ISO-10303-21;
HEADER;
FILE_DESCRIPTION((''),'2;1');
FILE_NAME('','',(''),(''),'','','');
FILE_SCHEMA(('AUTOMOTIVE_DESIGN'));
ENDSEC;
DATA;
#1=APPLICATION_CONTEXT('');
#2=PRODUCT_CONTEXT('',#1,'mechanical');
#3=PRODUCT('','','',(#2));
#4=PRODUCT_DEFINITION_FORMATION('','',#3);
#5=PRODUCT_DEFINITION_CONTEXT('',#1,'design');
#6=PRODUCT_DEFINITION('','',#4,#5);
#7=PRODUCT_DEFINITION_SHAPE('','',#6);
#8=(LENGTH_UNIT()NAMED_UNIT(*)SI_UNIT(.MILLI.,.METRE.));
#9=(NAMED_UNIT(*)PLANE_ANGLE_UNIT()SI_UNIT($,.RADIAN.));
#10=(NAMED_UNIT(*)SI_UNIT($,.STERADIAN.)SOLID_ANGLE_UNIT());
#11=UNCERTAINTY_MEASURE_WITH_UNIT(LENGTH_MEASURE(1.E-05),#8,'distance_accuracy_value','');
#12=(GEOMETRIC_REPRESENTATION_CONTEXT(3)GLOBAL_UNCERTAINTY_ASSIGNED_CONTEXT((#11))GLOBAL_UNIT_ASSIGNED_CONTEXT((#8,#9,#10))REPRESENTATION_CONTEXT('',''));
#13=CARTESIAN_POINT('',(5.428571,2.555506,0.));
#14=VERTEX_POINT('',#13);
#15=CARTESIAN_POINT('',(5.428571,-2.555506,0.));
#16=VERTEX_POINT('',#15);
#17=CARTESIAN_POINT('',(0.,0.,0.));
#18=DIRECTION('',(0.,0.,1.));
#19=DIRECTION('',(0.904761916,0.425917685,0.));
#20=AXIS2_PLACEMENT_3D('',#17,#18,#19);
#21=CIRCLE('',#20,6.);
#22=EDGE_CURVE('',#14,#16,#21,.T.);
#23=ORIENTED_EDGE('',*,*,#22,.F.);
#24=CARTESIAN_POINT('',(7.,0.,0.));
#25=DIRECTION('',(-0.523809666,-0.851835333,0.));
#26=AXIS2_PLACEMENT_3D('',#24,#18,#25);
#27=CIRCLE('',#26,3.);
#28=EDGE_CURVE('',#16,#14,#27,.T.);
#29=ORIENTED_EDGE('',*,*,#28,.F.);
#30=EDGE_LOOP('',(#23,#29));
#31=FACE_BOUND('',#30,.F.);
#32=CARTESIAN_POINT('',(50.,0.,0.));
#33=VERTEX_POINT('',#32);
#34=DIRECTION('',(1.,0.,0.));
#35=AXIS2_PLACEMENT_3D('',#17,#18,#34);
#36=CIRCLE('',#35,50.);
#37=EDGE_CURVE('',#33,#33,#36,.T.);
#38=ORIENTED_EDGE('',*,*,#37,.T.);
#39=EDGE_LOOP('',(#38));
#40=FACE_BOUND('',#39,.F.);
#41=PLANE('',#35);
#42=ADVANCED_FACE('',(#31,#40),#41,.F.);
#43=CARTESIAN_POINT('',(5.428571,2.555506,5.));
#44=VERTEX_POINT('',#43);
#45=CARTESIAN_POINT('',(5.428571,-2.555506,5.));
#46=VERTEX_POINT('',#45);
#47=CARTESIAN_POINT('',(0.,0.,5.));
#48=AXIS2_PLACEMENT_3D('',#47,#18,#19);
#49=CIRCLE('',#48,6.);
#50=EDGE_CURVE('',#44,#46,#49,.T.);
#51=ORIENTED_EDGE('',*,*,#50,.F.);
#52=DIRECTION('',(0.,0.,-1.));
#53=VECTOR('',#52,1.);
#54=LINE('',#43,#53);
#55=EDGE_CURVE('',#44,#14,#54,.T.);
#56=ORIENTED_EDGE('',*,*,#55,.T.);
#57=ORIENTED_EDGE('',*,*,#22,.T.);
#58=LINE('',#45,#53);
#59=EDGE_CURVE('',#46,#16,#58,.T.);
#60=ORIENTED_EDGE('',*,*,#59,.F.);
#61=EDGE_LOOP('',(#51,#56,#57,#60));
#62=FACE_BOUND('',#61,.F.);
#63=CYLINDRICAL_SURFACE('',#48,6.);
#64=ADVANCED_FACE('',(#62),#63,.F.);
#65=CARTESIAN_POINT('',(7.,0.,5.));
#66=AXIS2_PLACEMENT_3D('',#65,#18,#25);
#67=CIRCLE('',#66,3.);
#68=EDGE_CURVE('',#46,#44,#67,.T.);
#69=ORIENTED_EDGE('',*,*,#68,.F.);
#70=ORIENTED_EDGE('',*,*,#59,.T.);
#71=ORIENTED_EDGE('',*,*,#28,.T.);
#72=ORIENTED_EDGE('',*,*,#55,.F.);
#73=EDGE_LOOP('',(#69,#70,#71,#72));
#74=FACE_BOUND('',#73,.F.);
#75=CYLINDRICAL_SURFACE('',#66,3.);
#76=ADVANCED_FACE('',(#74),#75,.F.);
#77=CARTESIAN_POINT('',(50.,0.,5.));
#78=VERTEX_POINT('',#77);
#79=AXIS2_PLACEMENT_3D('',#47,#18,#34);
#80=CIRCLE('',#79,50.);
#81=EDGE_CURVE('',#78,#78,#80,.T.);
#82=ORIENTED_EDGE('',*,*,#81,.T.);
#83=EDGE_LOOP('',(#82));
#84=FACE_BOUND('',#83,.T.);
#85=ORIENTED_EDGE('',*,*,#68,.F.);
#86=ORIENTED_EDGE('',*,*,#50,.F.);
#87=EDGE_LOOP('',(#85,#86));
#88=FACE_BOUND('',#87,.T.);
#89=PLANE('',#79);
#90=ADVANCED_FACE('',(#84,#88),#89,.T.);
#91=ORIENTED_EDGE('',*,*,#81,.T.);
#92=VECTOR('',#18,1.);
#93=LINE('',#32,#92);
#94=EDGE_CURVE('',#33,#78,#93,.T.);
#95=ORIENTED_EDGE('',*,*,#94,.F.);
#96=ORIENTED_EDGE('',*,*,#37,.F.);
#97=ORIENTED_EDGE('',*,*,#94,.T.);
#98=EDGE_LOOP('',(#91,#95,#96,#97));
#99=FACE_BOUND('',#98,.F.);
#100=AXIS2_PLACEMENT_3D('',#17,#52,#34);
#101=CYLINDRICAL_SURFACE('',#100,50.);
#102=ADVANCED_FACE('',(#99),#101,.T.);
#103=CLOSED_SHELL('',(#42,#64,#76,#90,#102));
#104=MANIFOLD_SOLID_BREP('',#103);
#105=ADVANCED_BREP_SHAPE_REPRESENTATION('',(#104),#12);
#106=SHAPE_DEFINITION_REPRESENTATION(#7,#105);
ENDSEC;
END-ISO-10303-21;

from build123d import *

# Parameters (mm, degrees)
F0_R     = 50
F1_DEPTH = 5
F3_DEPTH = 5.001


with BuildPart() as f1:
    # F0 (on Top) → F1 (new body)
    with BuildSketch(Plane.XY):
        Circle(F0_R)
    extrude(amount=F1_DEPTH)

    # F2 (on face) → F3 (cut, through all)
    with BuildSketch(Plane.XY.offset(5)):
        with BuildLine():
            ThreePointArc((5.428571, -2.555506), (10, 0), (5.428571, 2.555506))
            ThreePointArc((5.428571, 2.555506), (-6, 0), (5.428571, -2.555506))
        make_face()
    extrude(amount=-F3_DEPTH, mode=Mode.SUBTRACT)


solid = f1.part
